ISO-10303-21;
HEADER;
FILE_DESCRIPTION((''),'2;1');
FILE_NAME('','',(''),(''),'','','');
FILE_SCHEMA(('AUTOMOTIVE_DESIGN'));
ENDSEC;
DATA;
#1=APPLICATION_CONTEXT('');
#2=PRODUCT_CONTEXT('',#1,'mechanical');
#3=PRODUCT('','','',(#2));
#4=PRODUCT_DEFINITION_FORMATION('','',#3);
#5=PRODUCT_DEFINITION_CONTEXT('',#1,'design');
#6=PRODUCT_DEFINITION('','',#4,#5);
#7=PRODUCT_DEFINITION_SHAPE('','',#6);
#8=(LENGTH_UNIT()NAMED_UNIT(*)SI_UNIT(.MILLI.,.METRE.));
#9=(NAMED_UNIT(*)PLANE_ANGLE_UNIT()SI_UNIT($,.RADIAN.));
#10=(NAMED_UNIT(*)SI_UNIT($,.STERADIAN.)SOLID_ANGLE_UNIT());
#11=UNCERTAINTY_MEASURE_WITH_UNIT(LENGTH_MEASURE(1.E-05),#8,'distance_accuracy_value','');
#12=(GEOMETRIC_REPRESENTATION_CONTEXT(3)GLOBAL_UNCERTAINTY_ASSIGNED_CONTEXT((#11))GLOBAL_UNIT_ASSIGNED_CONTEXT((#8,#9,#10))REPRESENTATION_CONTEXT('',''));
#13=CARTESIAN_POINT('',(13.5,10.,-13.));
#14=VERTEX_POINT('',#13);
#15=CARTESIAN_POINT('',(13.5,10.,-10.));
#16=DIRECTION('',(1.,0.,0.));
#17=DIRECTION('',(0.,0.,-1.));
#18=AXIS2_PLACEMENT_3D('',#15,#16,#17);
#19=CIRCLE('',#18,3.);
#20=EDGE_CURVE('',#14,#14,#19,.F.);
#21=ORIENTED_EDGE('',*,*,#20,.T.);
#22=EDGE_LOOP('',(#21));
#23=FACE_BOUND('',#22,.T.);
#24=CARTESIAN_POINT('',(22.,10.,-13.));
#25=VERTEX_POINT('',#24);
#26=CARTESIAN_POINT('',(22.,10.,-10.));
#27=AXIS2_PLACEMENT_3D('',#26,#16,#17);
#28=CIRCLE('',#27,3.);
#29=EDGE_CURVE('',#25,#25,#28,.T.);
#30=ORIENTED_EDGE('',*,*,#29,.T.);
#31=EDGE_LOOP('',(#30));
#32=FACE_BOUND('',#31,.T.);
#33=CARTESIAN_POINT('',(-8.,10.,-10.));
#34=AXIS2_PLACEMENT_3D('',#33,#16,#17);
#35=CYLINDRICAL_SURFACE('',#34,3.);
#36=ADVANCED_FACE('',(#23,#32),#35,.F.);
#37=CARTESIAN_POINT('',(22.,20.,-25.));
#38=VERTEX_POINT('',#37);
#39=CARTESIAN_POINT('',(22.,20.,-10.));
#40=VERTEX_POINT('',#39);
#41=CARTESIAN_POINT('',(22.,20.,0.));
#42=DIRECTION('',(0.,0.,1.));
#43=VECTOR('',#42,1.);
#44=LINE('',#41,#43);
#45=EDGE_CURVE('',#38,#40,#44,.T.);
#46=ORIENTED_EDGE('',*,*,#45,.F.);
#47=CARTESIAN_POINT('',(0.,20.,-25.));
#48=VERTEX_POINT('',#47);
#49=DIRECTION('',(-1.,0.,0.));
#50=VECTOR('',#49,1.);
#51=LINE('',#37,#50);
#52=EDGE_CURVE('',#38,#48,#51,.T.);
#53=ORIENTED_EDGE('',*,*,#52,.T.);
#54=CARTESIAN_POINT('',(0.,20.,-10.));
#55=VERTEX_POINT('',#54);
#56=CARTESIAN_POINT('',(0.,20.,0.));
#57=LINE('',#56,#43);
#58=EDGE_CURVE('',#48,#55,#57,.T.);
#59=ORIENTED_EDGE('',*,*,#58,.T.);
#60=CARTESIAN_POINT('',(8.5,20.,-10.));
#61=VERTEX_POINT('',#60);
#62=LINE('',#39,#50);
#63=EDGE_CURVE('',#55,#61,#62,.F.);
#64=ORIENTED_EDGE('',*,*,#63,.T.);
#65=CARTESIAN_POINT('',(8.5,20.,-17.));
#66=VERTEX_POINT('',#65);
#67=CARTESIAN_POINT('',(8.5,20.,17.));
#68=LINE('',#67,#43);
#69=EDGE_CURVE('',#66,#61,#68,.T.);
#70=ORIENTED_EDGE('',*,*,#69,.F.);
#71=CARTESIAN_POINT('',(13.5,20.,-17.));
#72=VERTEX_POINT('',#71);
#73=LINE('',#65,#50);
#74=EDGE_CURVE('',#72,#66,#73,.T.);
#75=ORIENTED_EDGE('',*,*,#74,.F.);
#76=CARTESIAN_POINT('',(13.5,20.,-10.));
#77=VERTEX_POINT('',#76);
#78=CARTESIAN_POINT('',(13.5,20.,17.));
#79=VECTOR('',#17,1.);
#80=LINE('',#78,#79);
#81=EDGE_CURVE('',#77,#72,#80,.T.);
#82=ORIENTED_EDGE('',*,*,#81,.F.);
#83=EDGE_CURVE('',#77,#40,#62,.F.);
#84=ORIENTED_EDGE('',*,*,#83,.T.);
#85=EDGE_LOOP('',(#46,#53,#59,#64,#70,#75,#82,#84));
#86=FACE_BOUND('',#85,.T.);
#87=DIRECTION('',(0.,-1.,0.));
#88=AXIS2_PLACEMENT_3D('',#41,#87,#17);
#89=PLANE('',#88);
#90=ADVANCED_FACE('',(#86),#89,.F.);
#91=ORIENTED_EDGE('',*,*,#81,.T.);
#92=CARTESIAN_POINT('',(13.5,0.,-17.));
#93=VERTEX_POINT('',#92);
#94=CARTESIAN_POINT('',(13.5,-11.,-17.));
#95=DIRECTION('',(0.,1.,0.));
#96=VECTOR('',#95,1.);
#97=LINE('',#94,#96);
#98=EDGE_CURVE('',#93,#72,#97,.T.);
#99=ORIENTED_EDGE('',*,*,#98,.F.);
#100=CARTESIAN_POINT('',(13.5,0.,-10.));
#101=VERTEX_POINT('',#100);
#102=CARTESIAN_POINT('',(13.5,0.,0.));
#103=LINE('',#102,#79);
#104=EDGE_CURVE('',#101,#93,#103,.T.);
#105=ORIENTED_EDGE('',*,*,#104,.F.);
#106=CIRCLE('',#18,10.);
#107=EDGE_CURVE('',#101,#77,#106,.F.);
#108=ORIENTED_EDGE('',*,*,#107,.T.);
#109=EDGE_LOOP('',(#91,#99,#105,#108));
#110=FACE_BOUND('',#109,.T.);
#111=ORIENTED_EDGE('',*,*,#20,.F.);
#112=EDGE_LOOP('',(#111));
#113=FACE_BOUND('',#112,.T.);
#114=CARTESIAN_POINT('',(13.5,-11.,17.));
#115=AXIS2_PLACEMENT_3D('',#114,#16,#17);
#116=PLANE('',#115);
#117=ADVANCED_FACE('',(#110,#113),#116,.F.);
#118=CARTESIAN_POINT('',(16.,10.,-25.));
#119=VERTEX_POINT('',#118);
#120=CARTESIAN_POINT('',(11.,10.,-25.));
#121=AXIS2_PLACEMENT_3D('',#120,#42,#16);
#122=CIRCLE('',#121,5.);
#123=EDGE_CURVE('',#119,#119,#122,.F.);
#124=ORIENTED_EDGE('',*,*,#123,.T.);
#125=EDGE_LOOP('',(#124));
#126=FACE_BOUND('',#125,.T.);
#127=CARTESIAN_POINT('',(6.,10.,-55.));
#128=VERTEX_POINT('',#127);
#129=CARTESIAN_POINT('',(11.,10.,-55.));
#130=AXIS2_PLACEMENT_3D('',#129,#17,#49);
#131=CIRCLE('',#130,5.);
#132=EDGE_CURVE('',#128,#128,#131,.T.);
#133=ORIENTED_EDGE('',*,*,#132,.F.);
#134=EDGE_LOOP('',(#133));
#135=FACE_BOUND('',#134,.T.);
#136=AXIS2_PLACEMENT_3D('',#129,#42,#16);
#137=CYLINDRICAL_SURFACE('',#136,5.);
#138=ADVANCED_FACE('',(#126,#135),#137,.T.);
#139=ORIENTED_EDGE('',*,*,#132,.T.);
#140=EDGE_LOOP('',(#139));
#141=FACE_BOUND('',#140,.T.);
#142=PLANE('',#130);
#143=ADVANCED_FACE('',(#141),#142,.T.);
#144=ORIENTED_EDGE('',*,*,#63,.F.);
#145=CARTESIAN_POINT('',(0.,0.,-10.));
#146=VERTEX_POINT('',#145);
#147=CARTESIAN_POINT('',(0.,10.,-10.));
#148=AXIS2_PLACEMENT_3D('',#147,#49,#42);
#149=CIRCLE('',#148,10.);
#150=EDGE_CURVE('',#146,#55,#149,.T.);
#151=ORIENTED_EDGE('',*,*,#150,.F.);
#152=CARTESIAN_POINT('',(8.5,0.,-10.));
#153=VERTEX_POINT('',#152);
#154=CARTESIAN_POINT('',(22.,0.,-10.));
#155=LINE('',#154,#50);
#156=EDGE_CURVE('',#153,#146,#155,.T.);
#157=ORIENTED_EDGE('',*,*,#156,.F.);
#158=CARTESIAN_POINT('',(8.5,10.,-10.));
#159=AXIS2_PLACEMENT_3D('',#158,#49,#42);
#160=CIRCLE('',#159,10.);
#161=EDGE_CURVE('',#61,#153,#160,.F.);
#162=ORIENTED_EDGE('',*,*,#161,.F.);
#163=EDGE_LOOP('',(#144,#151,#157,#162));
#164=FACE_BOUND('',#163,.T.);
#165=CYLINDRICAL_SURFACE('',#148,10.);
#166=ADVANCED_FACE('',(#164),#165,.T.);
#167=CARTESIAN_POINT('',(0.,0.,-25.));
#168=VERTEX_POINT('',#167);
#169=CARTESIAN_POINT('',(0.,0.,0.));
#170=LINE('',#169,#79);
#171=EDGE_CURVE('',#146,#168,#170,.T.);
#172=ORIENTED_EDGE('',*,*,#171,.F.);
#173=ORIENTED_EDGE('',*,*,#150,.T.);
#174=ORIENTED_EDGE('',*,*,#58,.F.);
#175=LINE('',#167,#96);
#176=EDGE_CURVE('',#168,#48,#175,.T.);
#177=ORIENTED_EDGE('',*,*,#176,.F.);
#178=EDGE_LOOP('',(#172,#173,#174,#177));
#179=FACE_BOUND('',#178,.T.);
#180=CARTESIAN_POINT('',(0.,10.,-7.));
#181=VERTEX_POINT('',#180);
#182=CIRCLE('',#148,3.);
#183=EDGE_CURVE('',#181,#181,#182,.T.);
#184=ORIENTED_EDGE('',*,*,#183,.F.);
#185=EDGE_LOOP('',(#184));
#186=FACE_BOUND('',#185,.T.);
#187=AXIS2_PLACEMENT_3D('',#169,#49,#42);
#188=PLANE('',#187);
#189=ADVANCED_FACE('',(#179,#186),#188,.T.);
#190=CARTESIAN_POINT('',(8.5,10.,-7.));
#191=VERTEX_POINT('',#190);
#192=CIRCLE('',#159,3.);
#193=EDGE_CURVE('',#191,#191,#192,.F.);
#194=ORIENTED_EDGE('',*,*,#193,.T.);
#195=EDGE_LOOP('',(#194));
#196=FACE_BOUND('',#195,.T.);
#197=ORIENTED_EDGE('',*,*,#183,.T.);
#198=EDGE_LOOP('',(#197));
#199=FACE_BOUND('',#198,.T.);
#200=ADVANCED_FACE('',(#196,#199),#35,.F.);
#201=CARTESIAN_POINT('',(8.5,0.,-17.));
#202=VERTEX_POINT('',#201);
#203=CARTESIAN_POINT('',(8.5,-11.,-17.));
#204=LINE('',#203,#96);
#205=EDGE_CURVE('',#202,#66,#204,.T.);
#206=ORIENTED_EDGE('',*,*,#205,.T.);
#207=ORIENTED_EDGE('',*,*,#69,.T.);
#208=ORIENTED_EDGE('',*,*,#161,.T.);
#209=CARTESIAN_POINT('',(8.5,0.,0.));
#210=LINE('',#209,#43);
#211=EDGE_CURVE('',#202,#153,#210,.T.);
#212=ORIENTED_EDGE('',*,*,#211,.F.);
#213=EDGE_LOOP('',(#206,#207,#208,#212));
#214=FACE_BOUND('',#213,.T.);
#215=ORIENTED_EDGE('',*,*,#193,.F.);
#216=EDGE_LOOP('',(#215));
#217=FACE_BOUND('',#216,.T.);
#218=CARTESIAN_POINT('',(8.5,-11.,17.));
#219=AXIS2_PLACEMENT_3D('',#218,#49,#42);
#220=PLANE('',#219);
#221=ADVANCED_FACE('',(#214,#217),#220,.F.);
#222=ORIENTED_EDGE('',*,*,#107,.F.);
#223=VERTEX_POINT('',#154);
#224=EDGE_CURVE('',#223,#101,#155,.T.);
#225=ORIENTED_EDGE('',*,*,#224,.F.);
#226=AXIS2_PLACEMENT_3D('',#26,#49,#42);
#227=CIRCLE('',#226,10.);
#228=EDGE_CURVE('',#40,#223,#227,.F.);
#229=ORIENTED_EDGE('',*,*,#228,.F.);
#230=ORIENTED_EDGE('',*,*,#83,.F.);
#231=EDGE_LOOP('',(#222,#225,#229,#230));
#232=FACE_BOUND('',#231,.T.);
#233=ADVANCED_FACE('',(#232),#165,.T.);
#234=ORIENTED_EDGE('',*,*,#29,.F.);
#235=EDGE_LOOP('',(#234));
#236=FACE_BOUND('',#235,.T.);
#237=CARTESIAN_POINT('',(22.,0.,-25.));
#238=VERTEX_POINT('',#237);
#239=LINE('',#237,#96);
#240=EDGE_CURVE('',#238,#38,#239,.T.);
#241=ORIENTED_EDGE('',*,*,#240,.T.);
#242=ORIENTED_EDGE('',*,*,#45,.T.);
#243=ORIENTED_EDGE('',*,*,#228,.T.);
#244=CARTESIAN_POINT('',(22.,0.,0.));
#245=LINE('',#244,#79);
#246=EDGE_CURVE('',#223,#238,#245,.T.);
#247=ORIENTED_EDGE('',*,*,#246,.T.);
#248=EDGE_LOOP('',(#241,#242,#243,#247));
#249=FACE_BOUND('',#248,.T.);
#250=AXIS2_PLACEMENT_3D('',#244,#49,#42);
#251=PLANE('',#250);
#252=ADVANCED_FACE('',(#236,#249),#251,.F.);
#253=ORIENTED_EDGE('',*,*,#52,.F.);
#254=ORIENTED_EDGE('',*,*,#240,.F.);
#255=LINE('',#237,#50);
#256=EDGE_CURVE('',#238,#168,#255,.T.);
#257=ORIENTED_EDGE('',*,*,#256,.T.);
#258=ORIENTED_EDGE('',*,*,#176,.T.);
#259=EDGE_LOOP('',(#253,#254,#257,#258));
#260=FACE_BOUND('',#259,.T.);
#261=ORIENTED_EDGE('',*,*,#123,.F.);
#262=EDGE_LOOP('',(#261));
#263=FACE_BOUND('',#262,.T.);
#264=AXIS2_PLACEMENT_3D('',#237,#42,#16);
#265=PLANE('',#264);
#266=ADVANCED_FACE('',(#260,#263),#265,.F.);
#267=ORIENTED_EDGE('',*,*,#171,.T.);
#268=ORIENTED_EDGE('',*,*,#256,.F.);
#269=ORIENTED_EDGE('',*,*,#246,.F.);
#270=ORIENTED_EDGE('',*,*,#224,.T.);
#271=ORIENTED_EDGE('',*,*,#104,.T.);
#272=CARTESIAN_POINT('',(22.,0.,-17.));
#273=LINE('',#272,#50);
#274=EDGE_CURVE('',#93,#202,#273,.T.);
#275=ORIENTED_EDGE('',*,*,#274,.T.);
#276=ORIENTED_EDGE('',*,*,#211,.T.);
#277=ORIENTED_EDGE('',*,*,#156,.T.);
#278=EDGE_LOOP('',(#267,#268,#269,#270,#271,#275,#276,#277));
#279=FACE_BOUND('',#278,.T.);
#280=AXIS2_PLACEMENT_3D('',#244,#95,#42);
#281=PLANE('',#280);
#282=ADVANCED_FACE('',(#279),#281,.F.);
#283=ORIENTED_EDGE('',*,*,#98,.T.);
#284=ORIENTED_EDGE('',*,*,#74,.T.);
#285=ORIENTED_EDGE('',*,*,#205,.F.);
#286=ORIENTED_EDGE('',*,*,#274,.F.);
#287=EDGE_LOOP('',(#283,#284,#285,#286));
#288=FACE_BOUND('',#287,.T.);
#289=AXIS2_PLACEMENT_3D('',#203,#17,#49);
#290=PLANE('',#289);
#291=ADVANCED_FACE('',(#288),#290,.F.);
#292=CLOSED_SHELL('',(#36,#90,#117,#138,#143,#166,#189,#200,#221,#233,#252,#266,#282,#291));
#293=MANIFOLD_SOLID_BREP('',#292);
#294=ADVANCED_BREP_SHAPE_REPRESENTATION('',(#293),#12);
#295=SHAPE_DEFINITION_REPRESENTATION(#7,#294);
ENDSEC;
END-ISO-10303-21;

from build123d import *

# Parameters (mm, degrees)
SKETCH1_W           = 25
SKETCH1_H           = 20
BOSS_EXTRUDE1_DEPTH = 22
FILLET1_RADIUS      = 10
FILLET1_LENGTH      = 22
SKETCH2_R           = 5
BOSS_EXTRUDE2_DEPTH = 30
SKETCH3_R           = 3
CUT_EXTRUDE1_DEPTH  = 30
SKETCH4_W           = 5
SKETCH4_H           = 34
CUT_EXTRUDE2_DEPTH  = 31


with BuildPart() as part:
    # Sketch1 → Boss-Extrude1 (new body)
    with BuildSketch(Plane(origin=(0, 0, 0), x_dir=(0, 0, -1), z_dir=(1, 0, 0))):
        with Locations((12.5, 10)):
            Rectangle(SKETCH1_W, SKETCH1_H)
    extrude(amount=BOSS_EXTRUDE1_DEPTH)

    # Fillet1: full round fillet: the end face becomes a half cylinder, R = half its width
    fillet1_face = Plane((11, 10, 0), x_dir=(-1, 0, 0), z_dir=(0, 0, 1))  # on the end face: x along it, z out of the body
    fillet1_slab = fillet1_face.offset(-FILLET1_RADIUS / 2) * Box(FILLET1_LENGTH, 2 * FILLET1_RADIUS, FILLET1_RADIUS, mode=Mode.PRIVATE)  # the body's end, R deep
    fillet1_round = Plane((11, 10, -10), x_dir=(0, 0, 1), z_dir=(-1, 0, 0)) * Cylinder(FILLET1_RADIUS, FILLET1_LENGTH, mode=Mode.PRIVATE)  # its axis R under the face
    add(fillet1_slab - fillet1_round, mode=Mode.SUBTRACT)

    # Sketch2 → Boss-Extrude2 (add)
    with BuildSketch(Plane(origin=(0, 0, -25), x_dir=(-1, 0, 0), z_dir=(0, 0, -1))):
        with Locations(Location((-11, 10, 0), (0, 0, 180))):
            Circle(SKETCH2_R)
    extrude(amount=BOSS_EXTRUDE2_DEPTH)

    # Sketch3 → Cut-Extrude1 (cut)
    with BuildSketch(Plane(origin=(22, 0, 0), x_dir=(0, 0, -1), z_dir=(1, 0, 0))):
        with Locations((10, 10)):
            Circle(SKETCH3_R)
    extrude(amount=-CUT_EXTRUDE1_DEPTH, mode=Mode.SUBTRACT)

    # Sketch4 → Cut-Extrude2 (cut)
    with BuildSketch(Plane(origin=(0, 20, 0), x_dir=(1, 0, 0), z_dir=(0, 1, 0))):
        with Locations((11, 0)):
            Rectangle(SKETCH4_W, SKETCH4_H)
    extrude(amount=-CUT_EXTRUDE2_DEPTH, mode=Mode.SUBTRACT)


solid = part.part
